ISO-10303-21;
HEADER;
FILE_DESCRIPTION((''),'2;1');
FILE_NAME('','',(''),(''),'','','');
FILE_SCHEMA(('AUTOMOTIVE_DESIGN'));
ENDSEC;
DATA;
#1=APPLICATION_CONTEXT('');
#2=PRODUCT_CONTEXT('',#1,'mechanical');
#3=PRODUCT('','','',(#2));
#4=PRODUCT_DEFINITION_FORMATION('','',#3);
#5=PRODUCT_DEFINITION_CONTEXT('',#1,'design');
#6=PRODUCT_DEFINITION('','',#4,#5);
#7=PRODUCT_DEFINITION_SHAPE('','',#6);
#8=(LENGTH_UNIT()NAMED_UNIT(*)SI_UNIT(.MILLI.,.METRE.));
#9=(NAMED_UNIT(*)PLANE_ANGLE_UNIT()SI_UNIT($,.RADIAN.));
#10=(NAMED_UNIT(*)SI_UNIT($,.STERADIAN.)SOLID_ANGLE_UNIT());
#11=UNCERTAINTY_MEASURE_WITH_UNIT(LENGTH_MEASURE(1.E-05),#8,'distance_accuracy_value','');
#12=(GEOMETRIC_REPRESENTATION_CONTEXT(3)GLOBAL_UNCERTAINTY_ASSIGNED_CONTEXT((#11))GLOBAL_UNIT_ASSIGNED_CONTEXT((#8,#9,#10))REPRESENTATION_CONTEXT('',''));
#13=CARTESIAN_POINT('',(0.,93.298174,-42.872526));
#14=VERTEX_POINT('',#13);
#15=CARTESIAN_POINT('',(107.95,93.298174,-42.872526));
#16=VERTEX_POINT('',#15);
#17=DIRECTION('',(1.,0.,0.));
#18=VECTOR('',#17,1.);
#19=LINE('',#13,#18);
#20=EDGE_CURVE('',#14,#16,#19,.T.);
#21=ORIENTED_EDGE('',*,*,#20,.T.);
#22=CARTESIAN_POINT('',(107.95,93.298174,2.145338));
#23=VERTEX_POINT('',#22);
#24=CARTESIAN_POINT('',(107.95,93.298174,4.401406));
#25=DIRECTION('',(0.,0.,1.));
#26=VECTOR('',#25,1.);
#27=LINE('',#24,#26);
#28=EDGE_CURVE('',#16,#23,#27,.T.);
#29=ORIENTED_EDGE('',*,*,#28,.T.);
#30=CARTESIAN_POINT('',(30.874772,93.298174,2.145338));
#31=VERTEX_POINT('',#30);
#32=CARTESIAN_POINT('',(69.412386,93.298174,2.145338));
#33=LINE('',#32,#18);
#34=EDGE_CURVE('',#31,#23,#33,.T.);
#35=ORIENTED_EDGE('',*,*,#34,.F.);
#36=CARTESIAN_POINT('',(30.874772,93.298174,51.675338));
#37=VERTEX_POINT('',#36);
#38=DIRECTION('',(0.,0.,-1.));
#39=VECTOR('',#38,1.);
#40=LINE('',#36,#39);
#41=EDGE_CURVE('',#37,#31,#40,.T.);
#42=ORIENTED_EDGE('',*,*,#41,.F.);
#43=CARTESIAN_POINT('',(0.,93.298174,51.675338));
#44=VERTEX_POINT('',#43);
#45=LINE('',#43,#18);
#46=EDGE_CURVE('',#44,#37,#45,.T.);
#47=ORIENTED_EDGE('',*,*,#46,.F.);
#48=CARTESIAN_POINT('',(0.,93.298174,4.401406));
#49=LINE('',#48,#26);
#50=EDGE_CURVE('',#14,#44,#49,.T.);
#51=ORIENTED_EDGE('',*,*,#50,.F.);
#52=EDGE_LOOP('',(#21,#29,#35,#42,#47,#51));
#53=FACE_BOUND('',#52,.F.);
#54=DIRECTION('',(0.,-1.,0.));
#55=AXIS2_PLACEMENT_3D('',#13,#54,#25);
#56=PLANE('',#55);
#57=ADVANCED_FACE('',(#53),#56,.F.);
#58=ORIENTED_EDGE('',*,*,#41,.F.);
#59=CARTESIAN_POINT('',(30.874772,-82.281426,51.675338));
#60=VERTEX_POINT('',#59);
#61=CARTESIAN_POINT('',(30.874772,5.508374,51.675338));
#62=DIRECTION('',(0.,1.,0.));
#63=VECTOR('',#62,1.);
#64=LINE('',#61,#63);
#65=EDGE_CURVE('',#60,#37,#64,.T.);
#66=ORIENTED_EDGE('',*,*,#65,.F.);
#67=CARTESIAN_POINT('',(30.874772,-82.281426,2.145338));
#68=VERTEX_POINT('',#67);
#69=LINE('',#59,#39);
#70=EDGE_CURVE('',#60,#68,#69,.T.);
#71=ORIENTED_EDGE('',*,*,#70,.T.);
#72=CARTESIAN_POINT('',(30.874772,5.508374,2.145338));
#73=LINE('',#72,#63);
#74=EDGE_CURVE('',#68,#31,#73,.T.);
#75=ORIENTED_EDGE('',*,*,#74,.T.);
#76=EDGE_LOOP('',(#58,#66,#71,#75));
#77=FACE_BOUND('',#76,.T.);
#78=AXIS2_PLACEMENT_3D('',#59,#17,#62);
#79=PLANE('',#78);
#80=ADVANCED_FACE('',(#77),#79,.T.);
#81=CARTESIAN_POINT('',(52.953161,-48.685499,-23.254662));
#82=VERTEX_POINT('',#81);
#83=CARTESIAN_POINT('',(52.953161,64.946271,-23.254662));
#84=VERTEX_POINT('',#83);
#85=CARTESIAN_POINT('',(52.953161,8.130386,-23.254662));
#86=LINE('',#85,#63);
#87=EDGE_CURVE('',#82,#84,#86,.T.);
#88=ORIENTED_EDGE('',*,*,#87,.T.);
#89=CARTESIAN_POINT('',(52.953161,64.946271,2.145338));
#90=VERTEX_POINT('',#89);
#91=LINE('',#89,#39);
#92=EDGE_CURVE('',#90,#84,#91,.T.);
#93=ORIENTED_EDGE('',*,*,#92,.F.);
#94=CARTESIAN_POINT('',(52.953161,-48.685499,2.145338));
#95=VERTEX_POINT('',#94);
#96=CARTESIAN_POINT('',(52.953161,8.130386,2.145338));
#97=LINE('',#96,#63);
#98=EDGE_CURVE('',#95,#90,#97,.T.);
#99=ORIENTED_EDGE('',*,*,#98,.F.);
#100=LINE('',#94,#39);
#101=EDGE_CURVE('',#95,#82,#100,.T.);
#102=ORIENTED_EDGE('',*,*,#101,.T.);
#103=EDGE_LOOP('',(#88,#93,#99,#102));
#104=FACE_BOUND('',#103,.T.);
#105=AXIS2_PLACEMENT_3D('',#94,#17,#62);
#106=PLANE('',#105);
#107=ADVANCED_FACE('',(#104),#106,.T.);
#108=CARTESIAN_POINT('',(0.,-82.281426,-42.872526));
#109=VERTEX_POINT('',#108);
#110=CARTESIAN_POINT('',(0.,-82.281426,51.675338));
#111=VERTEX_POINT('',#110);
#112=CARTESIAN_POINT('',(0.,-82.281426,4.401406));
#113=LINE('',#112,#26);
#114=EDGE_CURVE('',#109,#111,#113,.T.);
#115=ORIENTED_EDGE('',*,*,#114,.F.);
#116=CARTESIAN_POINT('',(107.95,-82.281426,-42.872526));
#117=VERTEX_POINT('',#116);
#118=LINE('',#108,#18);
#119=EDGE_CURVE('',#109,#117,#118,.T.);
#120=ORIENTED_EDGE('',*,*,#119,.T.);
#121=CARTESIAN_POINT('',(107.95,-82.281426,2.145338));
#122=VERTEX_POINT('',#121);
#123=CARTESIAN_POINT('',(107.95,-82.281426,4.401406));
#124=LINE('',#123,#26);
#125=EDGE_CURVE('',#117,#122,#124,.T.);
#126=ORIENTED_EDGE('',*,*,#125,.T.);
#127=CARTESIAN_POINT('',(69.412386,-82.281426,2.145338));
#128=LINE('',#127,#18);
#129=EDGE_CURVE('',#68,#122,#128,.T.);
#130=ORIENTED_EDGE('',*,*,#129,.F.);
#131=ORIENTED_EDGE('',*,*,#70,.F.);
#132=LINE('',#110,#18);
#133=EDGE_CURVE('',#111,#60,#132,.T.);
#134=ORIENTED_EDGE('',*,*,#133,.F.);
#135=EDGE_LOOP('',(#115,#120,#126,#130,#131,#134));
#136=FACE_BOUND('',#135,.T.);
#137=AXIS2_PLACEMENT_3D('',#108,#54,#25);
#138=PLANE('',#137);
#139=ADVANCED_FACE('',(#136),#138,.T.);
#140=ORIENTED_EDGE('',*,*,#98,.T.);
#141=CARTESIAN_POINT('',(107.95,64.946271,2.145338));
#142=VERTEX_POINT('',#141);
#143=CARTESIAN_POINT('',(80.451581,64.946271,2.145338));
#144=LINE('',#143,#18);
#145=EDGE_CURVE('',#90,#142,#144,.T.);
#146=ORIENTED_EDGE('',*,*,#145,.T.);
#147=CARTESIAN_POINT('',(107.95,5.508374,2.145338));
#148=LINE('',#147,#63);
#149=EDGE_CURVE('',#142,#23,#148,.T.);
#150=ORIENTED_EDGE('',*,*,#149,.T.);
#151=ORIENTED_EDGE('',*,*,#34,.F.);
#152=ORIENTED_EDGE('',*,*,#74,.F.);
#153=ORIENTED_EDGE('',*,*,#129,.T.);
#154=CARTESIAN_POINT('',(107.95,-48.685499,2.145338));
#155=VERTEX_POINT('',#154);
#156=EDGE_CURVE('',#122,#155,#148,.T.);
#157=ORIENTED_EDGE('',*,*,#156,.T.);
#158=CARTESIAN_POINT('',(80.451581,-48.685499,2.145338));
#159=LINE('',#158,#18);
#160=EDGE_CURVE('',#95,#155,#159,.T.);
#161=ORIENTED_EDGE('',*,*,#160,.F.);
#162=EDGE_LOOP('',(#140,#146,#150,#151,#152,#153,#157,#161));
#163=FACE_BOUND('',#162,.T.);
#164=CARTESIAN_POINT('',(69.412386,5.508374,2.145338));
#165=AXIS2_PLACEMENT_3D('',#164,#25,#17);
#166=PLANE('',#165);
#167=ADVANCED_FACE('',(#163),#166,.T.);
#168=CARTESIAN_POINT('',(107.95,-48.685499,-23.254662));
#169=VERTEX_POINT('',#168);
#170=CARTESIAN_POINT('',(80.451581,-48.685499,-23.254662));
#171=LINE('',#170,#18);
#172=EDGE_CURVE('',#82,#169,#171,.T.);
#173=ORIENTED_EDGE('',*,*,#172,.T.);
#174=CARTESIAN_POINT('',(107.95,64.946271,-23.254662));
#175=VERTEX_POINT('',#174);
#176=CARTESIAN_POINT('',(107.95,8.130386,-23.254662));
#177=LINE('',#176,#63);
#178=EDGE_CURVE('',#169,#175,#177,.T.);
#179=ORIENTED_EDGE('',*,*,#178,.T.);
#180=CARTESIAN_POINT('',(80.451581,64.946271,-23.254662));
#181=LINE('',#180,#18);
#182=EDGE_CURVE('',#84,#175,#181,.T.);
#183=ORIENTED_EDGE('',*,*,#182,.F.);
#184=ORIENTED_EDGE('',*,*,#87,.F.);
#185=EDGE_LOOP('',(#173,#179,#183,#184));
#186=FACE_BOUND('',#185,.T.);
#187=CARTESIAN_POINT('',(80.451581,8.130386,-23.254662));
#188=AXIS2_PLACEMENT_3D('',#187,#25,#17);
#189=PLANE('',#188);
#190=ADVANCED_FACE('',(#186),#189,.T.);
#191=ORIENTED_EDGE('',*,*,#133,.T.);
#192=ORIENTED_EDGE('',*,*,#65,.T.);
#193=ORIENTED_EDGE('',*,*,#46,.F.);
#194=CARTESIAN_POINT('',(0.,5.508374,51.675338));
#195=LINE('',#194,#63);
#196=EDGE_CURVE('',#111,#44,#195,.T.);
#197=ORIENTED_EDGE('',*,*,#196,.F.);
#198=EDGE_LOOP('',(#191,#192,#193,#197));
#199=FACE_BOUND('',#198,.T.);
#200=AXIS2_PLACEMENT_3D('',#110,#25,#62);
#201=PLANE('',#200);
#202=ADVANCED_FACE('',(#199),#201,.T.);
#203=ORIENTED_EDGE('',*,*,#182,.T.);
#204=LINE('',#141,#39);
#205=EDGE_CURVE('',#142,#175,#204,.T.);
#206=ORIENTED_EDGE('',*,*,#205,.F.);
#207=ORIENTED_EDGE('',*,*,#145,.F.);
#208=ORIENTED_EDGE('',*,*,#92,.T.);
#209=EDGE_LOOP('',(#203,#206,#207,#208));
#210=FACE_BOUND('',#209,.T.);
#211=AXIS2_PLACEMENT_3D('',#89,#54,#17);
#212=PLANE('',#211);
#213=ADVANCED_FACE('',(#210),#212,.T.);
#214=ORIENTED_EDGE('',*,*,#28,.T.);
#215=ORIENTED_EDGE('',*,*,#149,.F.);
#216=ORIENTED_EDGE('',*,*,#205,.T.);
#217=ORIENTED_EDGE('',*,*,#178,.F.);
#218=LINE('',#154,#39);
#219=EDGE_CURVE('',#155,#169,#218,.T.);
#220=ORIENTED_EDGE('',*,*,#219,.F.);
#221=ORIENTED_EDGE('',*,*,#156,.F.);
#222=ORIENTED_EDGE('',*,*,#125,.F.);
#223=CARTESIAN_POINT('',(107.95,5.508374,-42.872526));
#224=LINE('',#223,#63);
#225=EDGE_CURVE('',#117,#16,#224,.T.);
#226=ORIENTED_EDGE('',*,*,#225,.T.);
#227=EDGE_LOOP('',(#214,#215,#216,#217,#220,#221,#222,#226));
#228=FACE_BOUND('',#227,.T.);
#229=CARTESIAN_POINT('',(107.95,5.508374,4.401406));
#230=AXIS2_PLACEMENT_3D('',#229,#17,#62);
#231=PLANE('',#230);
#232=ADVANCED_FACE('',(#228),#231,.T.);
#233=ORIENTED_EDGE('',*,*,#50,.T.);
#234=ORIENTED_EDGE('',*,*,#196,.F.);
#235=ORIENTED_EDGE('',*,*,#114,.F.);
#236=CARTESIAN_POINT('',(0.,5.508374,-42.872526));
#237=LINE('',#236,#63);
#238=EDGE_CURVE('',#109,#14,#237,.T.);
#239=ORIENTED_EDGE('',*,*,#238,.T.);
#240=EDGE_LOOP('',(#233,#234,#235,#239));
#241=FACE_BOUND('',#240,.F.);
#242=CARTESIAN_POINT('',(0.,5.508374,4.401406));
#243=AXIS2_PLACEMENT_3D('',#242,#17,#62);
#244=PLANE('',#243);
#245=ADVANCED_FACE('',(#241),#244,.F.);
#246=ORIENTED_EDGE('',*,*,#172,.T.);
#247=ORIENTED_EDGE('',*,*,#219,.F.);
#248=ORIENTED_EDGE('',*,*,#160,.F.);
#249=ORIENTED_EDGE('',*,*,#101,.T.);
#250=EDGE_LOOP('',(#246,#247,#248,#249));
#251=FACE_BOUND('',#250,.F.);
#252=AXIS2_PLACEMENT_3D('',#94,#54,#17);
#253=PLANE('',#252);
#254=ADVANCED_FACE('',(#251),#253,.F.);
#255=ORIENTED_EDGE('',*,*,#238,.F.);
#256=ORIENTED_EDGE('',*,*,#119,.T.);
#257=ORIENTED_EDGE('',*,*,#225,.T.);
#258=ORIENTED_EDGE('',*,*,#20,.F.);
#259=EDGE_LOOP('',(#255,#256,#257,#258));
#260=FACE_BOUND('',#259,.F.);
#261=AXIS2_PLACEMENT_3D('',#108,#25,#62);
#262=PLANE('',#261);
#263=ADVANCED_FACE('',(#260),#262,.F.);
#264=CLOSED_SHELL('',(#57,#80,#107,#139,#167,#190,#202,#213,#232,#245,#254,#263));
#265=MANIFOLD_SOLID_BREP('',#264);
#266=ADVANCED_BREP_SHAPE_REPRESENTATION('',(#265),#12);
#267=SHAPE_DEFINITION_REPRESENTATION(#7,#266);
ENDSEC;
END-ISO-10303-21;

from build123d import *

# Parameters (mm, degrees)
F0_W     = 175.5796000361
F0_H     = 94.5478640497
F1_DEPTH = 107.95
F2_W     = 77.0752280027
F2_H     = 175.5796000361
F3_DEPTH = 49.53
F4_W     = 54.9968387008
F4_H     = 113.6317700148
F5_DEPTH = 25.4


with BuildPart() as f1:
    # F0 (on Right) → F1 (new body)
    with BuildSketch(Plane.YZ):
        with Locations((5.5083744228, 4.4014062732)):
            Rectangle(F0_W, F0_H)
    extrude(amount=F1_DEPTH)

    # F2 (on face) → F3 (cut)
    with BuildSketch(Plane.XY.offset(51.6753382981)):
        with Locations((69.4123859987, 5.5083744228)):
            Rectangle(F2_W, F2_H)
    extrude(amount=-F3_DEPTH, mode=Mode.SUBTRACT)

    # F4 (on face) → F5 (cut)
    with BuildSketch(Plane.XY.offset(2.1453382981)):
        with Locations((80.4515806496, 8.1303864717)):
            Rectangle(F4_W, F4_H)
    extrude(amount=-F5_DEPTH, mode=Mode.SUBTRACT)


solid = f1.part
